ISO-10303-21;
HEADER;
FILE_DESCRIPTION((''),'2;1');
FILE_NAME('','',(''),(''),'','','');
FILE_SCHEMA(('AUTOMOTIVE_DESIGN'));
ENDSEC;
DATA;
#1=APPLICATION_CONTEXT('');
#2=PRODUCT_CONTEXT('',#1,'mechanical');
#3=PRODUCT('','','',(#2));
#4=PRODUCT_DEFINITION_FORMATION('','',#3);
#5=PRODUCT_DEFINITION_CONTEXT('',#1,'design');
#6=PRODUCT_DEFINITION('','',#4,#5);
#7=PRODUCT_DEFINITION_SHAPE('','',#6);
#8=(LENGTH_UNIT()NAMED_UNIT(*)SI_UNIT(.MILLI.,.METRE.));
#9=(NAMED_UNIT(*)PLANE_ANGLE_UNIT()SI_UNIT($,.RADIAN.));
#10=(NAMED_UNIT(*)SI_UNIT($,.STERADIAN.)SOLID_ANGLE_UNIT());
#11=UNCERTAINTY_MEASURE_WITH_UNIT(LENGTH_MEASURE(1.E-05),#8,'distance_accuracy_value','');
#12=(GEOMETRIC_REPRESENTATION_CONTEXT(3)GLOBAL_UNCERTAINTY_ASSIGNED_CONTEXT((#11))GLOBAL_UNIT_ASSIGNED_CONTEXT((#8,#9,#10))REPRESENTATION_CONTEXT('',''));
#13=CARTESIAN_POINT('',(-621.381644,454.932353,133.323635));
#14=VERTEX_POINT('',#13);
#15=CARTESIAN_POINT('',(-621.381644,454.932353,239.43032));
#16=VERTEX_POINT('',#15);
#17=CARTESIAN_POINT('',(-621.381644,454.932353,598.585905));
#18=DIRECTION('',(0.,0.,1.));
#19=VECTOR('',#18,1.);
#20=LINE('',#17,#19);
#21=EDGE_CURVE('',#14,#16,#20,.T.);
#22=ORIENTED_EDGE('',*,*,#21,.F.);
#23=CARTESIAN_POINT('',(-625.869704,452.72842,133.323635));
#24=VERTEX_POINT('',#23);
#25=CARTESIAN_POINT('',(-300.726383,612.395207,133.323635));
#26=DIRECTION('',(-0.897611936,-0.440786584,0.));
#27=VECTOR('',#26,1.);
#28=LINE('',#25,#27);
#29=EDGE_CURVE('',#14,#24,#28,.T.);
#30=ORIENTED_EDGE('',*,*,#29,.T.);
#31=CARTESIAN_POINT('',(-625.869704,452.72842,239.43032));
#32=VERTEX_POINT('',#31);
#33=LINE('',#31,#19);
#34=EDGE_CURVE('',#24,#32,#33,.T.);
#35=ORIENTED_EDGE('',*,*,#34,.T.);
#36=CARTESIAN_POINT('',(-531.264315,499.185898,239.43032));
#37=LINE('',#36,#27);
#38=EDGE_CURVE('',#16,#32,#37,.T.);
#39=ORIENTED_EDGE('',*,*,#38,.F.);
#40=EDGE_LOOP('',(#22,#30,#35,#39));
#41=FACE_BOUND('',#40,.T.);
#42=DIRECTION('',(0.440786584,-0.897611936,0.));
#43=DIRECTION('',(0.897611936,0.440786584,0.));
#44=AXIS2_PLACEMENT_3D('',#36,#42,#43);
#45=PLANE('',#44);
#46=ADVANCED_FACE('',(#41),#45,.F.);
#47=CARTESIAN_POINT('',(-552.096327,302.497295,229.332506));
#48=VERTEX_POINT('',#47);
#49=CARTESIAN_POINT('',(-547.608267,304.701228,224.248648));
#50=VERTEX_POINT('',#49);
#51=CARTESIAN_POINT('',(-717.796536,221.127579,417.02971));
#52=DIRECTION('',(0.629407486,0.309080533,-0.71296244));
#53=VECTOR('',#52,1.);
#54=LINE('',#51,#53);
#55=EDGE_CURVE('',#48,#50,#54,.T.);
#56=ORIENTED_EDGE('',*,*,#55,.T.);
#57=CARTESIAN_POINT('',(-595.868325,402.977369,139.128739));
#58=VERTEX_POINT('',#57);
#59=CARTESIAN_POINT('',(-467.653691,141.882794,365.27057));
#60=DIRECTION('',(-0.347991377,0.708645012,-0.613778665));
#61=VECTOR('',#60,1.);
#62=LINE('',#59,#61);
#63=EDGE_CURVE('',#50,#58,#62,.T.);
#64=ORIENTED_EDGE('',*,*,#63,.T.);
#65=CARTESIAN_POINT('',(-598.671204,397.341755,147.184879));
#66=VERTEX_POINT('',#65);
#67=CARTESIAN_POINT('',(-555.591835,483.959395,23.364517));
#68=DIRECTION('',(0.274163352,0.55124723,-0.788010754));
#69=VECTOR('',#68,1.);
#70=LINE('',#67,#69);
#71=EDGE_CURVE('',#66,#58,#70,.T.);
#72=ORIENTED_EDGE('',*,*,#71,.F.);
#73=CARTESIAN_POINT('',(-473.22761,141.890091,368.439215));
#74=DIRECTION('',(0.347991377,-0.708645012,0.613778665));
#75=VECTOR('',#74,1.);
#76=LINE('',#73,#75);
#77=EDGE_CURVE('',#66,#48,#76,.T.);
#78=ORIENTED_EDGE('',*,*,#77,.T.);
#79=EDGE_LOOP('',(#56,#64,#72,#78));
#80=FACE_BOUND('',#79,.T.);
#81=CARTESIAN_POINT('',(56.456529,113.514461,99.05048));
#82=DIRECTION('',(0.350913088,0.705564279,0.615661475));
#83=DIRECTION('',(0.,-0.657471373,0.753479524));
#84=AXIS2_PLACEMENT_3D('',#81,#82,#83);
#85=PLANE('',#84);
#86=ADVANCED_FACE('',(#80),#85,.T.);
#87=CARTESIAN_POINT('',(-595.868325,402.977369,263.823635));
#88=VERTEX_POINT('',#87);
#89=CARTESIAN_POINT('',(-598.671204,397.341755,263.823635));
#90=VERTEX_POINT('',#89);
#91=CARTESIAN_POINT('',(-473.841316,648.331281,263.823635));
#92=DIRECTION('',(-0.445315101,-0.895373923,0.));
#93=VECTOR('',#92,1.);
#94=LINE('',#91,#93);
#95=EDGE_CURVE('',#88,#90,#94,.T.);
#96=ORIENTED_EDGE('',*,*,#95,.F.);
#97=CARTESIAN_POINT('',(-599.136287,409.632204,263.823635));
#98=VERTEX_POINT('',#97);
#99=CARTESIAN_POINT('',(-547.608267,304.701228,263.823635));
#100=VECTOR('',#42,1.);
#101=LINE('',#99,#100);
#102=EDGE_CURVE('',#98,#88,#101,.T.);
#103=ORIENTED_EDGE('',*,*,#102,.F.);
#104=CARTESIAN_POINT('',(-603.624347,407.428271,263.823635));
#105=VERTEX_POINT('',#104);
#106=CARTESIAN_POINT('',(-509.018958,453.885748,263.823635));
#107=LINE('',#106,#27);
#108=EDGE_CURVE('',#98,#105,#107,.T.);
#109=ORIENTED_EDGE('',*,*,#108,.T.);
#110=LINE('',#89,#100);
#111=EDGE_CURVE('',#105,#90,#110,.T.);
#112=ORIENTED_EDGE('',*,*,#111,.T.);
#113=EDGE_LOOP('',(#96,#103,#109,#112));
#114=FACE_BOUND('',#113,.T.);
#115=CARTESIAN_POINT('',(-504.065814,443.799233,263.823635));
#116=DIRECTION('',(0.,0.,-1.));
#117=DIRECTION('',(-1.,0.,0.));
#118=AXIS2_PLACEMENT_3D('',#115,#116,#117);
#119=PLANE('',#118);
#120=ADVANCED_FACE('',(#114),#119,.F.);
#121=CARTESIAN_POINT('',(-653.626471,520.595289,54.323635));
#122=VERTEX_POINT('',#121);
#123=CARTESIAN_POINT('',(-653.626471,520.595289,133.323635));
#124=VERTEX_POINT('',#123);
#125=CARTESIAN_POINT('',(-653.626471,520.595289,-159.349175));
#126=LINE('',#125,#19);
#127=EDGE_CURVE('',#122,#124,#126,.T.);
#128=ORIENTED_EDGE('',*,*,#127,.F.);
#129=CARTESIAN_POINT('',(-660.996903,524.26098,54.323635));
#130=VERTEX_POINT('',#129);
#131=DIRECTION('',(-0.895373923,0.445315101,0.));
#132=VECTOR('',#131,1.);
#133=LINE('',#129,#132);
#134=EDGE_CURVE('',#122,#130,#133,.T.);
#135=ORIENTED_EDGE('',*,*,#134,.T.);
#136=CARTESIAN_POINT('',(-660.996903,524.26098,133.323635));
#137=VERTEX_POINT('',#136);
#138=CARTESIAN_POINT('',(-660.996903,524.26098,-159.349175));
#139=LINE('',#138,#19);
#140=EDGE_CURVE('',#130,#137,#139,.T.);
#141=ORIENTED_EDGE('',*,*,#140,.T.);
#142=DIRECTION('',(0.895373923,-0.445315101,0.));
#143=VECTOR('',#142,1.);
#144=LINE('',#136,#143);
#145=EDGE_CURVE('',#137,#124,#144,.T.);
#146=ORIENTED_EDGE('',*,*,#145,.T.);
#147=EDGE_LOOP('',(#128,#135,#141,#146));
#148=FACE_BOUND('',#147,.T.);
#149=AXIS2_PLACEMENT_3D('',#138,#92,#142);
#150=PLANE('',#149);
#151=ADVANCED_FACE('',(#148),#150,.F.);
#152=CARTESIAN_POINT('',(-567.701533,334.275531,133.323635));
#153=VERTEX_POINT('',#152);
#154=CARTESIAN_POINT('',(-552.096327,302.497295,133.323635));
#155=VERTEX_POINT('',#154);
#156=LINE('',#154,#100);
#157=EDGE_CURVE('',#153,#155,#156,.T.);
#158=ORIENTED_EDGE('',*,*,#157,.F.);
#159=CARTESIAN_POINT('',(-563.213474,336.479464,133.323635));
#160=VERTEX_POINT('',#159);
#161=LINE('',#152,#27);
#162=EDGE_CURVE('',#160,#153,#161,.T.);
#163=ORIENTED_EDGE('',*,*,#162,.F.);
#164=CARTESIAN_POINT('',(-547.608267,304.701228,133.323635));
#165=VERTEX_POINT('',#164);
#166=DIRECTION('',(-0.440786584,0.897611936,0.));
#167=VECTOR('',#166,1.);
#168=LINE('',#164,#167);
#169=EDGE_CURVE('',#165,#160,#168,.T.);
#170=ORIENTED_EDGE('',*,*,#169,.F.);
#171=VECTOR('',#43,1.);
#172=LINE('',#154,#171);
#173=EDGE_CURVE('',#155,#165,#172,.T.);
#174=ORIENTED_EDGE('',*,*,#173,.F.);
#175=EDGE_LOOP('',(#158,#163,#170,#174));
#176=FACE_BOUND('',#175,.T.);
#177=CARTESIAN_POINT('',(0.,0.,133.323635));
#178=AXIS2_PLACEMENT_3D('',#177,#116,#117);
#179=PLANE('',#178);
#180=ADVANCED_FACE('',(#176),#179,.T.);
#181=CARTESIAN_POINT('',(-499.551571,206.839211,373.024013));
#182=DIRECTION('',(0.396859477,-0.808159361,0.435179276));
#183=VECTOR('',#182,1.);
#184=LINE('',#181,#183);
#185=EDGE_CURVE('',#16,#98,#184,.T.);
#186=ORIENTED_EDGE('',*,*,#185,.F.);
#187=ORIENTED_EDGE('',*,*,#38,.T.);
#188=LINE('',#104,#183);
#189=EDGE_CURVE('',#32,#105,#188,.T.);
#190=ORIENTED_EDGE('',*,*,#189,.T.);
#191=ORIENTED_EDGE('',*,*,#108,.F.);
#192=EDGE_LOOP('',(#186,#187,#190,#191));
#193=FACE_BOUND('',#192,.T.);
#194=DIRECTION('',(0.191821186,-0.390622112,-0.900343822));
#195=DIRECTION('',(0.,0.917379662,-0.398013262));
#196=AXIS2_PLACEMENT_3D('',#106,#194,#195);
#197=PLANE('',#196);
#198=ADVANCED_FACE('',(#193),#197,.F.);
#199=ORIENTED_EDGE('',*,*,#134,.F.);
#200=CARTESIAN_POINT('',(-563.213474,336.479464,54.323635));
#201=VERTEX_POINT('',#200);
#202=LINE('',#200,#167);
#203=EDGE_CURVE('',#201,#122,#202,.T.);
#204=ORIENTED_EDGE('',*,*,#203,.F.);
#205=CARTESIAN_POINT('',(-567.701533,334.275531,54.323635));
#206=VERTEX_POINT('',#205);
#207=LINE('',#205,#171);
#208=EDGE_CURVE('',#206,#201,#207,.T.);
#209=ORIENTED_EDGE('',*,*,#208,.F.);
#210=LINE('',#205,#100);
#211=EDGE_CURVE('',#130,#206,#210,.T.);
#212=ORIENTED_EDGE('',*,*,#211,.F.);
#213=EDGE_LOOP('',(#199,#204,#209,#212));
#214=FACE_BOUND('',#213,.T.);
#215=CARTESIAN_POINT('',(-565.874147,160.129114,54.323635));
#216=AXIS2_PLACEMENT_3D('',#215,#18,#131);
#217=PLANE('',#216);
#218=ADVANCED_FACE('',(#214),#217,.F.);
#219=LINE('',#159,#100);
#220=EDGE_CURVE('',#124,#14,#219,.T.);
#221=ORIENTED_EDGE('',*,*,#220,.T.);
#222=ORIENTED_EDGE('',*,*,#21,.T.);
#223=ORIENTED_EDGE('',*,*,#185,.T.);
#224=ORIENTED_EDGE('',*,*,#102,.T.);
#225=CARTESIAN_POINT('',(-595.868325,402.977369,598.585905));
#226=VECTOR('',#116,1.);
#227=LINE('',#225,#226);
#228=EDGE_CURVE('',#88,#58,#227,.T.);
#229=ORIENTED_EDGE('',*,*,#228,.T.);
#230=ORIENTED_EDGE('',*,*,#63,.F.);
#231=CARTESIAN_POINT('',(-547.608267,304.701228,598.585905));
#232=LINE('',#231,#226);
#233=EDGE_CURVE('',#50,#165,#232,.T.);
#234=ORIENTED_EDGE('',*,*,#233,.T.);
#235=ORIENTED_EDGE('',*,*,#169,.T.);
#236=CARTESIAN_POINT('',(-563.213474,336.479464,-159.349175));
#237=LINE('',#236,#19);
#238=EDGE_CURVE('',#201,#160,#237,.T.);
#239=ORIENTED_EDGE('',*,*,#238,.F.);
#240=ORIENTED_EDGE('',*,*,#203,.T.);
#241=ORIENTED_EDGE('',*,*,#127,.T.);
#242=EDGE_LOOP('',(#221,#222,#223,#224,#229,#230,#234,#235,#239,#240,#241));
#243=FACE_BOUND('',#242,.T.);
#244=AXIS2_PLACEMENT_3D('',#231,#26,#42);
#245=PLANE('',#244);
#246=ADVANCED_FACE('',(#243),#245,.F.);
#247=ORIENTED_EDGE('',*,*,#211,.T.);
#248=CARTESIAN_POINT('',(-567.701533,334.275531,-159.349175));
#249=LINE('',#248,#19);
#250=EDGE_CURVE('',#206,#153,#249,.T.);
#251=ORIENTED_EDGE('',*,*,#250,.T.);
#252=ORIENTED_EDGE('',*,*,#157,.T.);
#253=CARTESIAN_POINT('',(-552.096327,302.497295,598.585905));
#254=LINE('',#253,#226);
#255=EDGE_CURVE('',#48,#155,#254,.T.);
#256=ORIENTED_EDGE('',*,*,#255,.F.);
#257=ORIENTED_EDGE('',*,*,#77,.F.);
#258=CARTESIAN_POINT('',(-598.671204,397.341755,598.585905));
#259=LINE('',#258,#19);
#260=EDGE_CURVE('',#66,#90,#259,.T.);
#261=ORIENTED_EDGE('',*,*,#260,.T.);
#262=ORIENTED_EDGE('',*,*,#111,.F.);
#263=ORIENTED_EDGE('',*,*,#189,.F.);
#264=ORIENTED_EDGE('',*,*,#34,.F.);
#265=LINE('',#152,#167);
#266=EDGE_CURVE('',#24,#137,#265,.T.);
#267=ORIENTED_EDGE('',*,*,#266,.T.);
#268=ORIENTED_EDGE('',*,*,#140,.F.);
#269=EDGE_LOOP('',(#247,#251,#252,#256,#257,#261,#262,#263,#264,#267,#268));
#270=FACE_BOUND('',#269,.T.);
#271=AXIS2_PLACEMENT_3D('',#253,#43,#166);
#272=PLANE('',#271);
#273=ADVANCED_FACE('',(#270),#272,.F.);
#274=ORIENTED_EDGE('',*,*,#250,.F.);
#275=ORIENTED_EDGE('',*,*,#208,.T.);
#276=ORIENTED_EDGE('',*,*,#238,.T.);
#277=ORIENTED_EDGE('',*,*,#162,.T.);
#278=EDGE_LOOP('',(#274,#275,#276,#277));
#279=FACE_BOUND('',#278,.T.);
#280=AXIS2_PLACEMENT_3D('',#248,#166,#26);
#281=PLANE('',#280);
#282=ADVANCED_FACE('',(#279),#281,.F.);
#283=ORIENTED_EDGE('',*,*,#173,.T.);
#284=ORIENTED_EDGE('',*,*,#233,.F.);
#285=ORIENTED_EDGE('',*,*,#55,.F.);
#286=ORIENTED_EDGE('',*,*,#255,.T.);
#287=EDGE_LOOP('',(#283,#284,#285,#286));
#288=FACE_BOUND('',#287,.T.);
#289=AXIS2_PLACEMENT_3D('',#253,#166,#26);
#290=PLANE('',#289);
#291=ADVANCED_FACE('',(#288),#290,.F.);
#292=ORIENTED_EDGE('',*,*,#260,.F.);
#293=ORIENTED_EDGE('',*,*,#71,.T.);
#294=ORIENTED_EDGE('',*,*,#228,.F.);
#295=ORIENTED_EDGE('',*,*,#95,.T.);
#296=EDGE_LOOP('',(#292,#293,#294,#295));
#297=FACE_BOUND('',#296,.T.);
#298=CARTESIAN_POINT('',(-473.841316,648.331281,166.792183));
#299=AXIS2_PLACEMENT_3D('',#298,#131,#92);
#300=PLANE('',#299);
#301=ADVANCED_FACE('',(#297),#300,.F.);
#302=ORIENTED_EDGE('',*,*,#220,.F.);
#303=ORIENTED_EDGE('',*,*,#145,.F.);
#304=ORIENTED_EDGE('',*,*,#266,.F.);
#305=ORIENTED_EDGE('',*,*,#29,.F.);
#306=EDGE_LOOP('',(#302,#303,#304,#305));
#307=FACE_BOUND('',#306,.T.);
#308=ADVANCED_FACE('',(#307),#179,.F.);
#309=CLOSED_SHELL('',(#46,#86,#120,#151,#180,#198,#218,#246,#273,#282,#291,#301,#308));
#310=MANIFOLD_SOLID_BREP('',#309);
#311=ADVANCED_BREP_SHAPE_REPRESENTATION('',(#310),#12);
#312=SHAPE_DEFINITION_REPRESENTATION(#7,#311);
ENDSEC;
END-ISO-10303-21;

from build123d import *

# Parameters (mm, degrees)
BOSS_EXTRUDE1_DEPTH = 208.295834
CUT_EXTRUDE1_DEPTH  = 233.9651465
CUT_EXTRUDE3_DEPTH  = 106.39675924
BOSS_EXTRUDE2_DEPTH = 79


with BuildPart() as part:
    # Sketch2 → Boss-Extrude1 (new body)
    with BuildSketch(Plane.XY.offset(133.323635178)):
        Polygon((-552.096326618, 302.497295421), (-547.608266937, 304.701228339), (-659.457001573, 532.468503885), (-662.259879772, 526.832889814), align=None)
    extrude(amount=BOSS_EXTRUDE1_DEPTH)

    # Sketch3 → Cut-Extrude1 (cut, through all)
    with BuildSketch(Plane(origin=(56.456528708, 113.514460847, 99.05047984), x_dir=(-0.935748975, 0.239556806, 0.258817295), z_dir=(-0.350913088, -0.705564279, -0.615661475))):
        Polygon((641.877398582, 324.891396181), (520.568005211, 262.71812893), (690.075774021, -224.74438404), (811.385167392, -162.571116789), align=None)
    extrude(amount=-CUT_EXTRUDE1_DEPTH, mode=Mode.SUBTRACT)

    # Sketch5 → Cut-Extrude3 (cut, through all)
    with BuildSketch(Plane(origin=(-325.143320908, -159.666786774, 0), x_dir=(0, 0, 1), z_dir=(-0.897611936, -0.440786584, 0))):
        Polygon((263.823635178, 620.544936833), (263.823635178, 631.781992675), (239.430319814, 682.249402309), (133.323635178, 682.249402309), (133.323635178, 768.6298834), (341.619468978, 768.6298834), (341.619468978, 620.544936833), align=None)
    extrude(amount=-CUT_EXTRUDE3_DEPTH, mode=Mode.SUBTRACT)

    # Sketch6 → Boss-Extrude2 (add)
    with BuildSketch(Plane(origin=(0, 0, 133.323635178), x_dir=(-1, 0, 0), z_dir=(0, 0, -1))):
        Polygon((567.701533334, 334.275530817), (563.213473653, 336.479463735), (653.626470855, 520.595288681), (660.996902767, 524.260980239), align=None)
    extrude(amount=BOSS_EXTRUDE2_DEPTH)


solid = part.part
